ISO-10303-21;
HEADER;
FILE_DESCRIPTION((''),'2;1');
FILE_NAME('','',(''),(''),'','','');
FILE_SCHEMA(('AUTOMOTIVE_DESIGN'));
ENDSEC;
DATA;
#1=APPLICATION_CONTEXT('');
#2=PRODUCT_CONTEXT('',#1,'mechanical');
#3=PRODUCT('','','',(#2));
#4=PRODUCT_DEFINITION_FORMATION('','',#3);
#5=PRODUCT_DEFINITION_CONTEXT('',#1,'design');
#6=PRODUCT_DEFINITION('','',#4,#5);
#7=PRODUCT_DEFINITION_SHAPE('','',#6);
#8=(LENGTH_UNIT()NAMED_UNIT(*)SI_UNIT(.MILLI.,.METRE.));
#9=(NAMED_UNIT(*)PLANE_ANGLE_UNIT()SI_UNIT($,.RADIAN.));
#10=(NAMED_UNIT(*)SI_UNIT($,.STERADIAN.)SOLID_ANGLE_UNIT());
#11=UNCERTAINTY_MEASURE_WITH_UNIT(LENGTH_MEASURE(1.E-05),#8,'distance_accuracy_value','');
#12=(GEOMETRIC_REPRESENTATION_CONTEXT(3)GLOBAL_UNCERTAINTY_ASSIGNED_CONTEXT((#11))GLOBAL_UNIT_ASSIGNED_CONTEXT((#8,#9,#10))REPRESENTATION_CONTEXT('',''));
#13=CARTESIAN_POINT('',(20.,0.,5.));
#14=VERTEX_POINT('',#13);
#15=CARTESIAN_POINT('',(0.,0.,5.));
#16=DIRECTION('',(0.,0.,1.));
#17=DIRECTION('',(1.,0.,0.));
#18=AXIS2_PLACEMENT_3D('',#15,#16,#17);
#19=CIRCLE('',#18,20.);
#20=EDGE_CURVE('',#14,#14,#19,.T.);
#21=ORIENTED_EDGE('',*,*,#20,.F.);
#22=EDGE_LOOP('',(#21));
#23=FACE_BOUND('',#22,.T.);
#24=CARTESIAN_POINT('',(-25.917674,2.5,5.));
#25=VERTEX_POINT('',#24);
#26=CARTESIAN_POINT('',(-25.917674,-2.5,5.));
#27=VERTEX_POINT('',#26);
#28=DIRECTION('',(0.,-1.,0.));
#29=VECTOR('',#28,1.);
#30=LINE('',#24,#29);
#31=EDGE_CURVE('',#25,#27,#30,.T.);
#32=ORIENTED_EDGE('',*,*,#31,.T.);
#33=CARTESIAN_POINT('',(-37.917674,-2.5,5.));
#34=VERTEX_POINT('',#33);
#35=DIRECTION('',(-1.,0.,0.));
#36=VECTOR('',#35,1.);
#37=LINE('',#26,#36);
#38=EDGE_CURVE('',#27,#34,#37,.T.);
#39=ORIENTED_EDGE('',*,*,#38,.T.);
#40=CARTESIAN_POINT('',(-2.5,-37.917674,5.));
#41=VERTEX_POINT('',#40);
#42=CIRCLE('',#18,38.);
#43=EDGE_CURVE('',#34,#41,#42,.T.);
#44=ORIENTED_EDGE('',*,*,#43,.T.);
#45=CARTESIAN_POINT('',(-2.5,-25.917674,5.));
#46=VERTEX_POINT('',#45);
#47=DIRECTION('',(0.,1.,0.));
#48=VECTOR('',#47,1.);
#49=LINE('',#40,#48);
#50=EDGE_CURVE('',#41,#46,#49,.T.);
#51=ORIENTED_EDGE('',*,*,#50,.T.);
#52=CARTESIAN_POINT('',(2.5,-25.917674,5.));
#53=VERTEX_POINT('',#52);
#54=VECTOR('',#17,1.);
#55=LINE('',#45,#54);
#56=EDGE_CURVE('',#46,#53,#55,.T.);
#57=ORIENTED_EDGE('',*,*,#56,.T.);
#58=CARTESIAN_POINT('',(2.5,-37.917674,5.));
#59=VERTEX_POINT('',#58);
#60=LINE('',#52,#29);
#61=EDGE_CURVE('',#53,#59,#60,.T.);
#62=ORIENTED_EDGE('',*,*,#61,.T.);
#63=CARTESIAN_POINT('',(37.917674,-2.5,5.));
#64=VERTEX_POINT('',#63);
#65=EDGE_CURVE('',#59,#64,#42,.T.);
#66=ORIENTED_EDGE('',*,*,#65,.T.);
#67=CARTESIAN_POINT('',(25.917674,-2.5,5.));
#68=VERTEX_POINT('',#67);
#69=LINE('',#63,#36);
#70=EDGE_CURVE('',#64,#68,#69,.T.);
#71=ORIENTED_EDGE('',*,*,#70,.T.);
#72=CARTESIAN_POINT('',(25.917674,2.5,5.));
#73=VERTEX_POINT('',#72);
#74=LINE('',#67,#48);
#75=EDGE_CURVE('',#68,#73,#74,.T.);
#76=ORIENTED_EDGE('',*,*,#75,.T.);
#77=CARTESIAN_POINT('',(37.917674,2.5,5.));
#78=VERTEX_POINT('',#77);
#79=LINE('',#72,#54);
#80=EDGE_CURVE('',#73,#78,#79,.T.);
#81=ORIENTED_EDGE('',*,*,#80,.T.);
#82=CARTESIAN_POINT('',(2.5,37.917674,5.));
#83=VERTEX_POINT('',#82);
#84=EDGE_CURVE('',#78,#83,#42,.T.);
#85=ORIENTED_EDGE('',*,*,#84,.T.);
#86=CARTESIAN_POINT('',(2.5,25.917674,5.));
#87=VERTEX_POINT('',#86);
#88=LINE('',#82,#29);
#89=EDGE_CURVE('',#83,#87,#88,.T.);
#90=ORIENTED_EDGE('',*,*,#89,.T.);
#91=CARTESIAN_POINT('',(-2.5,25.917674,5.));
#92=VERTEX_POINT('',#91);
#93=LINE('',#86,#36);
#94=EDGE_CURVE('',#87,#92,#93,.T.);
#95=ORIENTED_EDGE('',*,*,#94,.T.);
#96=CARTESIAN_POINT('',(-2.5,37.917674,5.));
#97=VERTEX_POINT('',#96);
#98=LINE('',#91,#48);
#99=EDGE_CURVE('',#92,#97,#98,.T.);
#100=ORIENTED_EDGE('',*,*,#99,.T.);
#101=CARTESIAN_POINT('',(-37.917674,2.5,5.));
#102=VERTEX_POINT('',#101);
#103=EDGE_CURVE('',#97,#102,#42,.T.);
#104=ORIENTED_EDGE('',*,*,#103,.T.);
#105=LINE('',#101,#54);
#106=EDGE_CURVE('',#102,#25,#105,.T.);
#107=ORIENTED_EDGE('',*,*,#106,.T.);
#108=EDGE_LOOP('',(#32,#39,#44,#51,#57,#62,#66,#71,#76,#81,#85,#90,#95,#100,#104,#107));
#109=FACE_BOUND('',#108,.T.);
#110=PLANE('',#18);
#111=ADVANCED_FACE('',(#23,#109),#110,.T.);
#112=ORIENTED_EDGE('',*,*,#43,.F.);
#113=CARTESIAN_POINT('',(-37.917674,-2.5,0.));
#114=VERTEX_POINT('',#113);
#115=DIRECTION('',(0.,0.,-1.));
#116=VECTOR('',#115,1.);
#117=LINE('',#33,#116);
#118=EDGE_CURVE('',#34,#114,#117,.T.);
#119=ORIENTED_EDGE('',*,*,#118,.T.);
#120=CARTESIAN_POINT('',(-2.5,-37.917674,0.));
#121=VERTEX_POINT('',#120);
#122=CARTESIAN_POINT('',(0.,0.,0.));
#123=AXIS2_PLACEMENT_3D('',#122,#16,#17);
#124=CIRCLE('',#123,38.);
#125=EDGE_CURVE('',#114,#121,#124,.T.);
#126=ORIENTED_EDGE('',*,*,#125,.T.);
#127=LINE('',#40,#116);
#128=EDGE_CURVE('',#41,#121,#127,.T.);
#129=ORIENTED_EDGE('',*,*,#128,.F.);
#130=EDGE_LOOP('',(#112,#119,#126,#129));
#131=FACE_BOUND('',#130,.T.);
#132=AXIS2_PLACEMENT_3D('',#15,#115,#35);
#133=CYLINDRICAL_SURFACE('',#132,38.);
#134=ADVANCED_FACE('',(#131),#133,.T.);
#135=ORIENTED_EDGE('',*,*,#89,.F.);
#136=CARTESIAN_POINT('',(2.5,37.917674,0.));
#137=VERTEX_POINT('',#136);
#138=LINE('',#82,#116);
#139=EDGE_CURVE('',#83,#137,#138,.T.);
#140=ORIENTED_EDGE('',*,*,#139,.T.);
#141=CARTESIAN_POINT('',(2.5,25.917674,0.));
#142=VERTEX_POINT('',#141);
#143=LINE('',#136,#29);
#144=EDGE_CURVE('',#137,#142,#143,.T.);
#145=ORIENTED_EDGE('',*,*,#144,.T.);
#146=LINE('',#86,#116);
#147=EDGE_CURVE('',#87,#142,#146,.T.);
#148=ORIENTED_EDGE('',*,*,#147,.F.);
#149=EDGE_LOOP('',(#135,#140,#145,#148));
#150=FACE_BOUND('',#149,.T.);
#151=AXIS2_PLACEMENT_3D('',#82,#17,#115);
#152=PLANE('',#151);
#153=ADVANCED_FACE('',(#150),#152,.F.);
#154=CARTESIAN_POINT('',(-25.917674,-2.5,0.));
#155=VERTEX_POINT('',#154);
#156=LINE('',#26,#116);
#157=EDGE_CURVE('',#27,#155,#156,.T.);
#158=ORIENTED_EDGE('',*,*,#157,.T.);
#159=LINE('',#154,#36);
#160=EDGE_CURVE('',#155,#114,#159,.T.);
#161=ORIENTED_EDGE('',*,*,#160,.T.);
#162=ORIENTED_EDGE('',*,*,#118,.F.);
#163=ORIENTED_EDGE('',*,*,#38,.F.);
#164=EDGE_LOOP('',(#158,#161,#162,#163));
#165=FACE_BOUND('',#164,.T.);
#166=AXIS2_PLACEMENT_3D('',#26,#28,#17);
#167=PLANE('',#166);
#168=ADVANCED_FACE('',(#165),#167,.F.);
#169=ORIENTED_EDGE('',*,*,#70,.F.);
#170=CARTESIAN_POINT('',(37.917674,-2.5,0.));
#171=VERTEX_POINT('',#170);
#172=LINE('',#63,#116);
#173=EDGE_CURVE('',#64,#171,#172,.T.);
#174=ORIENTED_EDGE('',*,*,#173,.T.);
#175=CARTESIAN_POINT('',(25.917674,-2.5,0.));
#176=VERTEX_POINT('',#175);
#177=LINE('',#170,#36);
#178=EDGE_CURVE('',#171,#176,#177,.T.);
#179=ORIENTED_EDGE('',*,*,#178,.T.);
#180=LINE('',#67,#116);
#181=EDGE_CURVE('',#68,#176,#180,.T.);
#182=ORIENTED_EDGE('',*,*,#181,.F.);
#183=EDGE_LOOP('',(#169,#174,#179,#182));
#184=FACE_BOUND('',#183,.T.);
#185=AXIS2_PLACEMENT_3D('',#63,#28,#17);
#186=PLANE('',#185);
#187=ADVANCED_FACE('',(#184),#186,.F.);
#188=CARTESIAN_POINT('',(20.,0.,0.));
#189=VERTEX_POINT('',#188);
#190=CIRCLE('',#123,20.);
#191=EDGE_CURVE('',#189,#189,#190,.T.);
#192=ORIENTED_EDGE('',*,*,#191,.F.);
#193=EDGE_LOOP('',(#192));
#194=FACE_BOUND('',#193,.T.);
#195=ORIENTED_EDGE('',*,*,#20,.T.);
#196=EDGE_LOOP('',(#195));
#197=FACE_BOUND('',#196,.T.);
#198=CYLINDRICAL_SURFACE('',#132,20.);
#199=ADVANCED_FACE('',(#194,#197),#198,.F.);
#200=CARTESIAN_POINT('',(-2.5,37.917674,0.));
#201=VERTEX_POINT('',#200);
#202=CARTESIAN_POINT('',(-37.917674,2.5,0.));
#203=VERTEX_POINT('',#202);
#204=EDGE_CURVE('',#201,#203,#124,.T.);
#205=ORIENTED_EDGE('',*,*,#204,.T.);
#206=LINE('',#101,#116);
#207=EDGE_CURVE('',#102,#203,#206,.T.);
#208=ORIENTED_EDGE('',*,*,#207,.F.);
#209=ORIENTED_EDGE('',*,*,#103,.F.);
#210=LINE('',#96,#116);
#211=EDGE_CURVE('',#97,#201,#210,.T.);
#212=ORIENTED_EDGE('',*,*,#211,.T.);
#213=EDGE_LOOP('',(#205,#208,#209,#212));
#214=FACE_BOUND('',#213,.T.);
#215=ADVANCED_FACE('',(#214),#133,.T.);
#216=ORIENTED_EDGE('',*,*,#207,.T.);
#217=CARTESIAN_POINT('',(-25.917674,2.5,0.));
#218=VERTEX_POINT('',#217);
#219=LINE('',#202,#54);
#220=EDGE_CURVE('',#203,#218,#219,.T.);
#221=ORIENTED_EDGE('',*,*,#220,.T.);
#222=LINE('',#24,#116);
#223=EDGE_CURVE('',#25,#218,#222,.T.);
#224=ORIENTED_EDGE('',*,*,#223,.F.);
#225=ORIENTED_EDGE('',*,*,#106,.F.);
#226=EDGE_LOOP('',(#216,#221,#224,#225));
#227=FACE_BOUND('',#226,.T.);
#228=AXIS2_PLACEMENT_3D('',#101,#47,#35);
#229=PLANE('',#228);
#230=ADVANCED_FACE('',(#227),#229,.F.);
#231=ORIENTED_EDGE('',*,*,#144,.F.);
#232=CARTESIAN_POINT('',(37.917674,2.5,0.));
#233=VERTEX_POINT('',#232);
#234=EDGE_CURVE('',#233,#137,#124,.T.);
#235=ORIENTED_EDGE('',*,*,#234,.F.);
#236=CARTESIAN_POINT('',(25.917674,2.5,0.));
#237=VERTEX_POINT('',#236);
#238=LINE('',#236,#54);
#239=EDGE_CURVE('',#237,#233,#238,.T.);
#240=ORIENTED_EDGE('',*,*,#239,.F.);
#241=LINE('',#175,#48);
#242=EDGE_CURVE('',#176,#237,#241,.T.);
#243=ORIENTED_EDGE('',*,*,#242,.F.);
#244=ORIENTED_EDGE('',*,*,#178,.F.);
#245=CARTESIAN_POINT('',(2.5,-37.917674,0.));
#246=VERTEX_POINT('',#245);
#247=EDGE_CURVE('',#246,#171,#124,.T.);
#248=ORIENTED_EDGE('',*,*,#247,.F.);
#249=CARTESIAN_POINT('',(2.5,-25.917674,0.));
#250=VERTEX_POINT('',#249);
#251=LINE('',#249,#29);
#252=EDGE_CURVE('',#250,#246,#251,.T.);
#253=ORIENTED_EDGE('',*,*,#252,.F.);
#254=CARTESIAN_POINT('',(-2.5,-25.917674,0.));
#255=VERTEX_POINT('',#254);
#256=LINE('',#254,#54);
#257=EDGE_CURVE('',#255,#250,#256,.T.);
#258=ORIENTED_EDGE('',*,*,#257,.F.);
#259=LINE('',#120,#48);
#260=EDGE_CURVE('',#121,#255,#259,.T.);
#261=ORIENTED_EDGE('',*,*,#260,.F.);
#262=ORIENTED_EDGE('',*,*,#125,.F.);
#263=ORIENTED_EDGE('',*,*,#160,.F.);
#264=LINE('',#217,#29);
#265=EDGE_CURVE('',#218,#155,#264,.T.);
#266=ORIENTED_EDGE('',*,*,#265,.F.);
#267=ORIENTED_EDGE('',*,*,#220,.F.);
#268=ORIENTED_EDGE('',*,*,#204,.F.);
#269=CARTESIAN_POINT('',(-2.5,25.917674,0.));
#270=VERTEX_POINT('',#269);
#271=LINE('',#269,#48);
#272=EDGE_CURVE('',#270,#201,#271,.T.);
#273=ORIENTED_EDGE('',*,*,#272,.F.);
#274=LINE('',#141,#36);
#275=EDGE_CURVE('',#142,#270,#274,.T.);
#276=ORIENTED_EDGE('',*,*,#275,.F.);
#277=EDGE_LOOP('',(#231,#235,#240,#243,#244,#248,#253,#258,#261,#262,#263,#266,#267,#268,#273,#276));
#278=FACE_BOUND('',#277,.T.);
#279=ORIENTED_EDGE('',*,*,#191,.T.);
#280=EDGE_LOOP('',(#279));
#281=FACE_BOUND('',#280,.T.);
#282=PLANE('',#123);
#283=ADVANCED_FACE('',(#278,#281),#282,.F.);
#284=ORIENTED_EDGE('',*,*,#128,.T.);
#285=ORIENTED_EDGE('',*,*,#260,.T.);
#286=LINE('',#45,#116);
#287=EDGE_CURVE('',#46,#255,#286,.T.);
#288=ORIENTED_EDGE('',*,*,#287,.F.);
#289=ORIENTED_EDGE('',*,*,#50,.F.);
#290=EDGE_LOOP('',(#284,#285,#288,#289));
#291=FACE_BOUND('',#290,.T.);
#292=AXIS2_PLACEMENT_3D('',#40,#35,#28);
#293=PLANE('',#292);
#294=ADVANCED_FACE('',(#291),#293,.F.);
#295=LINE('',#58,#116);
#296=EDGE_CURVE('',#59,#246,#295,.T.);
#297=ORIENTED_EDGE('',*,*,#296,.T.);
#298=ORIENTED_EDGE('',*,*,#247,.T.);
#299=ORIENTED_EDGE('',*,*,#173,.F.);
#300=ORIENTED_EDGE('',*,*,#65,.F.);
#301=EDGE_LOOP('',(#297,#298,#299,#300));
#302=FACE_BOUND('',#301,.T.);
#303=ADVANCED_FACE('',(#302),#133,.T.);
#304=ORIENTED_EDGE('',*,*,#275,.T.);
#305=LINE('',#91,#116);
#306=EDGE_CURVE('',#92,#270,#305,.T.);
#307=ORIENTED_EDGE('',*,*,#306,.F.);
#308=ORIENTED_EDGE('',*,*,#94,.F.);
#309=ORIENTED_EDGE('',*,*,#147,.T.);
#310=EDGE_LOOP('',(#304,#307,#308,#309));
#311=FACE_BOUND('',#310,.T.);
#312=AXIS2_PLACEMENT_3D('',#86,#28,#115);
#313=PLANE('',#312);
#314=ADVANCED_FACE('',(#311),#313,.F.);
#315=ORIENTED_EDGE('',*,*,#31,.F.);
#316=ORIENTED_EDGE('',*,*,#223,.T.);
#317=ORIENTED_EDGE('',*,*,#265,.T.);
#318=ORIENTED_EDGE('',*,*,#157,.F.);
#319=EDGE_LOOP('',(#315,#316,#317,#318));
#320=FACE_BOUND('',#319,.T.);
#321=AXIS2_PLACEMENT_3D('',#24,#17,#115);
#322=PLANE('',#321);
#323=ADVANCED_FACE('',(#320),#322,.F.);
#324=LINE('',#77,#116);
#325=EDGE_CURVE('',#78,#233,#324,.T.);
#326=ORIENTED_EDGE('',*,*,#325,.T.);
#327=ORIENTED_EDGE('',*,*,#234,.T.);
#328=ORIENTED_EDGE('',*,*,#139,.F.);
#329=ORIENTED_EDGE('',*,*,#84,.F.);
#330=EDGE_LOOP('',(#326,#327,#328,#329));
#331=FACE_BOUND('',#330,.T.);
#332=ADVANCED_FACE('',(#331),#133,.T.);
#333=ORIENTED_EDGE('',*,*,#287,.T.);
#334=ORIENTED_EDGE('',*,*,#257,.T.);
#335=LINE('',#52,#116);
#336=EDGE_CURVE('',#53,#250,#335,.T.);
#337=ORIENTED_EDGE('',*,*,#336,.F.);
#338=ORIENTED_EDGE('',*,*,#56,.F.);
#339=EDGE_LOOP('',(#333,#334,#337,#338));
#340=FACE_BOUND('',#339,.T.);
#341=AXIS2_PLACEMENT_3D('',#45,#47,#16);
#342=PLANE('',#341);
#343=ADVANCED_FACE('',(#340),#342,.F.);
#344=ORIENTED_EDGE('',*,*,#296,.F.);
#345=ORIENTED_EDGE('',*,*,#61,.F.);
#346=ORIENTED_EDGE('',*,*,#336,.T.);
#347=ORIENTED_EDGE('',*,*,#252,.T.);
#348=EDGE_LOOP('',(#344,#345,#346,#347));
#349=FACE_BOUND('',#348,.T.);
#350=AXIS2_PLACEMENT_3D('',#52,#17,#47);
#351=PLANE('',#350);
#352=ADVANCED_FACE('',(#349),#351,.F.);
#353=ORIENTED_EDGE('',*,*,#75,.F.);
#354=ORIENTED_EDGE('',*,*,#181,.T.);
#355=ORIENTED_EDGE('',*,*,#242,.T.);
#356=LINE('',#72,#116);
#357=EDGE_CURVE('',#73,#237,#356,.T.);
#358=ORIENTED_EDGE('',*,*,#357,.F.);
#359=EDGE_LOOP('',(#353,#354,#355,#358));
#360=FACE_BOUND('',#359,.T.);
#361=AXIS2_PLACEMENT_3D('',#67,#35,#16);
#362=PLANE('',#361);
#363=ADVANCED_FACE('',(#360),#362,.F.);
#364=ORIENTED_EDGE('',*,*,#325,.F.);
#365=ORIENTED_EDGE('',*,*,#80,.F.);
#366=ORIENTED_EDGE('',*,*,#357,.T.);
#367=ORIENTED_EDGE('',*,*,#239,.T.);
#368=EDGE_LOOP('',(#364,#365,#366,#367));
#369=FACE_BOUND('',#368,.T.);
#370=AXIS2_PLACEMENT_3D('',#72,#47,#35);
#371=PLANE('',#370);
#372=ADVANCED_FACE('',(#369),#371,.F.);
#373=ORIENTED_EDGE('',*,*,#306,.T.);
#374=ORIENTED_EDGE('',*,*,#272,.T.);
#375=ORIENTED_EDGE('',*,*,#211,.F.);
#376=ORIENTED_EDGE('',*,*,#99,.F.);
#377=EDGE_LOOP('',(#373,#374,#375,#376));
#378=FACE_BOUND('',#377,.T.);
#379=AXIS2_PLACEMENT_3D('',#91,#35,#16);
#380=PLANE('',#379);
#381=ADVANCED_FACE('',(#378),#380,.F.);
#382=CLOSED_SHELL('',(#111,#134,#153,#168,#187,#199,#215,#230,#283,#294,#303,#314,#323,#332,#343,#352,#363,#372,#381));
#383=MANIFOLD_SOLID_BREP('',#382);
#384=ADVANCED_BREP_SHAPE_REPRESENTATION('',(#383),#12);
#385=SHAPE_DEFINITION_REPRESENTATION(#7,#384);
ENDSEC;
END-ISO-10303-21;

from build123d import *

# Parameters (mm, degrees)
SKETCH1_R           = 20
BOSS_EXTRUDE1_DEPTH = 5


with BuildPart() as part:
    # Sketch1 → Boss-Extrude1 (new body)
    with BuildSketch(Plane.XY):
        with BuildLine():
            Line((2.5, 37.917673979), (2.5, 25.917673979))
            Line((2.5, 25.917673979), (-2.5, 25.917673979))
            Line((-2.5, 25.917673979), (-2.5, 37.917673979))
            ThreePointArc((-2.5, 37.917673979), (-26.870057685, 26.870057685), (-37.917673979, 2.5))
            Line((-37.917673979, 2.5), (-25.917673979, 2.5))
            Line((-25.917673979, 2.5), (-25.917673979, -2.5))
            Line((-25.917673979, -2.5), (-37.917673979, -2.5))
            ThreePointArc((-37.917673979, -2.5), (-26.870057685, -26.870057685), (-2.5, -37.917673979))
            Line((-2.5, -37.917673979), (-2.5, -25.917673979))
            Line((-2.5, -25.917673979), (2.5, -25.917673979))
            Line((2.5, -25.917673979), (2.5, -37.917673979))
            ThreePointArc((2.5, -37.917673979), (26.870057685, -26.870057685), (37.917673979, -2.5))
            Line((37.917673979, -2.5), (25.917673979, -2.5))
            Line((25.917673979, -2.5), (25.917673979, 2.5))
            Line((25.917673979, 2.5), (37.917673979, 2.5))
            ThreePointArc((37.917673979, 2.5), (26.870057685, 26.870057685), (2.5, 37.917673979))
        make_face()
        Circle(SKETCH1_R, mode=Mode.SUBTRACT)
    extrude(amount=BOSS_EXTRUDE1_DEPTH)


solid = part.part
